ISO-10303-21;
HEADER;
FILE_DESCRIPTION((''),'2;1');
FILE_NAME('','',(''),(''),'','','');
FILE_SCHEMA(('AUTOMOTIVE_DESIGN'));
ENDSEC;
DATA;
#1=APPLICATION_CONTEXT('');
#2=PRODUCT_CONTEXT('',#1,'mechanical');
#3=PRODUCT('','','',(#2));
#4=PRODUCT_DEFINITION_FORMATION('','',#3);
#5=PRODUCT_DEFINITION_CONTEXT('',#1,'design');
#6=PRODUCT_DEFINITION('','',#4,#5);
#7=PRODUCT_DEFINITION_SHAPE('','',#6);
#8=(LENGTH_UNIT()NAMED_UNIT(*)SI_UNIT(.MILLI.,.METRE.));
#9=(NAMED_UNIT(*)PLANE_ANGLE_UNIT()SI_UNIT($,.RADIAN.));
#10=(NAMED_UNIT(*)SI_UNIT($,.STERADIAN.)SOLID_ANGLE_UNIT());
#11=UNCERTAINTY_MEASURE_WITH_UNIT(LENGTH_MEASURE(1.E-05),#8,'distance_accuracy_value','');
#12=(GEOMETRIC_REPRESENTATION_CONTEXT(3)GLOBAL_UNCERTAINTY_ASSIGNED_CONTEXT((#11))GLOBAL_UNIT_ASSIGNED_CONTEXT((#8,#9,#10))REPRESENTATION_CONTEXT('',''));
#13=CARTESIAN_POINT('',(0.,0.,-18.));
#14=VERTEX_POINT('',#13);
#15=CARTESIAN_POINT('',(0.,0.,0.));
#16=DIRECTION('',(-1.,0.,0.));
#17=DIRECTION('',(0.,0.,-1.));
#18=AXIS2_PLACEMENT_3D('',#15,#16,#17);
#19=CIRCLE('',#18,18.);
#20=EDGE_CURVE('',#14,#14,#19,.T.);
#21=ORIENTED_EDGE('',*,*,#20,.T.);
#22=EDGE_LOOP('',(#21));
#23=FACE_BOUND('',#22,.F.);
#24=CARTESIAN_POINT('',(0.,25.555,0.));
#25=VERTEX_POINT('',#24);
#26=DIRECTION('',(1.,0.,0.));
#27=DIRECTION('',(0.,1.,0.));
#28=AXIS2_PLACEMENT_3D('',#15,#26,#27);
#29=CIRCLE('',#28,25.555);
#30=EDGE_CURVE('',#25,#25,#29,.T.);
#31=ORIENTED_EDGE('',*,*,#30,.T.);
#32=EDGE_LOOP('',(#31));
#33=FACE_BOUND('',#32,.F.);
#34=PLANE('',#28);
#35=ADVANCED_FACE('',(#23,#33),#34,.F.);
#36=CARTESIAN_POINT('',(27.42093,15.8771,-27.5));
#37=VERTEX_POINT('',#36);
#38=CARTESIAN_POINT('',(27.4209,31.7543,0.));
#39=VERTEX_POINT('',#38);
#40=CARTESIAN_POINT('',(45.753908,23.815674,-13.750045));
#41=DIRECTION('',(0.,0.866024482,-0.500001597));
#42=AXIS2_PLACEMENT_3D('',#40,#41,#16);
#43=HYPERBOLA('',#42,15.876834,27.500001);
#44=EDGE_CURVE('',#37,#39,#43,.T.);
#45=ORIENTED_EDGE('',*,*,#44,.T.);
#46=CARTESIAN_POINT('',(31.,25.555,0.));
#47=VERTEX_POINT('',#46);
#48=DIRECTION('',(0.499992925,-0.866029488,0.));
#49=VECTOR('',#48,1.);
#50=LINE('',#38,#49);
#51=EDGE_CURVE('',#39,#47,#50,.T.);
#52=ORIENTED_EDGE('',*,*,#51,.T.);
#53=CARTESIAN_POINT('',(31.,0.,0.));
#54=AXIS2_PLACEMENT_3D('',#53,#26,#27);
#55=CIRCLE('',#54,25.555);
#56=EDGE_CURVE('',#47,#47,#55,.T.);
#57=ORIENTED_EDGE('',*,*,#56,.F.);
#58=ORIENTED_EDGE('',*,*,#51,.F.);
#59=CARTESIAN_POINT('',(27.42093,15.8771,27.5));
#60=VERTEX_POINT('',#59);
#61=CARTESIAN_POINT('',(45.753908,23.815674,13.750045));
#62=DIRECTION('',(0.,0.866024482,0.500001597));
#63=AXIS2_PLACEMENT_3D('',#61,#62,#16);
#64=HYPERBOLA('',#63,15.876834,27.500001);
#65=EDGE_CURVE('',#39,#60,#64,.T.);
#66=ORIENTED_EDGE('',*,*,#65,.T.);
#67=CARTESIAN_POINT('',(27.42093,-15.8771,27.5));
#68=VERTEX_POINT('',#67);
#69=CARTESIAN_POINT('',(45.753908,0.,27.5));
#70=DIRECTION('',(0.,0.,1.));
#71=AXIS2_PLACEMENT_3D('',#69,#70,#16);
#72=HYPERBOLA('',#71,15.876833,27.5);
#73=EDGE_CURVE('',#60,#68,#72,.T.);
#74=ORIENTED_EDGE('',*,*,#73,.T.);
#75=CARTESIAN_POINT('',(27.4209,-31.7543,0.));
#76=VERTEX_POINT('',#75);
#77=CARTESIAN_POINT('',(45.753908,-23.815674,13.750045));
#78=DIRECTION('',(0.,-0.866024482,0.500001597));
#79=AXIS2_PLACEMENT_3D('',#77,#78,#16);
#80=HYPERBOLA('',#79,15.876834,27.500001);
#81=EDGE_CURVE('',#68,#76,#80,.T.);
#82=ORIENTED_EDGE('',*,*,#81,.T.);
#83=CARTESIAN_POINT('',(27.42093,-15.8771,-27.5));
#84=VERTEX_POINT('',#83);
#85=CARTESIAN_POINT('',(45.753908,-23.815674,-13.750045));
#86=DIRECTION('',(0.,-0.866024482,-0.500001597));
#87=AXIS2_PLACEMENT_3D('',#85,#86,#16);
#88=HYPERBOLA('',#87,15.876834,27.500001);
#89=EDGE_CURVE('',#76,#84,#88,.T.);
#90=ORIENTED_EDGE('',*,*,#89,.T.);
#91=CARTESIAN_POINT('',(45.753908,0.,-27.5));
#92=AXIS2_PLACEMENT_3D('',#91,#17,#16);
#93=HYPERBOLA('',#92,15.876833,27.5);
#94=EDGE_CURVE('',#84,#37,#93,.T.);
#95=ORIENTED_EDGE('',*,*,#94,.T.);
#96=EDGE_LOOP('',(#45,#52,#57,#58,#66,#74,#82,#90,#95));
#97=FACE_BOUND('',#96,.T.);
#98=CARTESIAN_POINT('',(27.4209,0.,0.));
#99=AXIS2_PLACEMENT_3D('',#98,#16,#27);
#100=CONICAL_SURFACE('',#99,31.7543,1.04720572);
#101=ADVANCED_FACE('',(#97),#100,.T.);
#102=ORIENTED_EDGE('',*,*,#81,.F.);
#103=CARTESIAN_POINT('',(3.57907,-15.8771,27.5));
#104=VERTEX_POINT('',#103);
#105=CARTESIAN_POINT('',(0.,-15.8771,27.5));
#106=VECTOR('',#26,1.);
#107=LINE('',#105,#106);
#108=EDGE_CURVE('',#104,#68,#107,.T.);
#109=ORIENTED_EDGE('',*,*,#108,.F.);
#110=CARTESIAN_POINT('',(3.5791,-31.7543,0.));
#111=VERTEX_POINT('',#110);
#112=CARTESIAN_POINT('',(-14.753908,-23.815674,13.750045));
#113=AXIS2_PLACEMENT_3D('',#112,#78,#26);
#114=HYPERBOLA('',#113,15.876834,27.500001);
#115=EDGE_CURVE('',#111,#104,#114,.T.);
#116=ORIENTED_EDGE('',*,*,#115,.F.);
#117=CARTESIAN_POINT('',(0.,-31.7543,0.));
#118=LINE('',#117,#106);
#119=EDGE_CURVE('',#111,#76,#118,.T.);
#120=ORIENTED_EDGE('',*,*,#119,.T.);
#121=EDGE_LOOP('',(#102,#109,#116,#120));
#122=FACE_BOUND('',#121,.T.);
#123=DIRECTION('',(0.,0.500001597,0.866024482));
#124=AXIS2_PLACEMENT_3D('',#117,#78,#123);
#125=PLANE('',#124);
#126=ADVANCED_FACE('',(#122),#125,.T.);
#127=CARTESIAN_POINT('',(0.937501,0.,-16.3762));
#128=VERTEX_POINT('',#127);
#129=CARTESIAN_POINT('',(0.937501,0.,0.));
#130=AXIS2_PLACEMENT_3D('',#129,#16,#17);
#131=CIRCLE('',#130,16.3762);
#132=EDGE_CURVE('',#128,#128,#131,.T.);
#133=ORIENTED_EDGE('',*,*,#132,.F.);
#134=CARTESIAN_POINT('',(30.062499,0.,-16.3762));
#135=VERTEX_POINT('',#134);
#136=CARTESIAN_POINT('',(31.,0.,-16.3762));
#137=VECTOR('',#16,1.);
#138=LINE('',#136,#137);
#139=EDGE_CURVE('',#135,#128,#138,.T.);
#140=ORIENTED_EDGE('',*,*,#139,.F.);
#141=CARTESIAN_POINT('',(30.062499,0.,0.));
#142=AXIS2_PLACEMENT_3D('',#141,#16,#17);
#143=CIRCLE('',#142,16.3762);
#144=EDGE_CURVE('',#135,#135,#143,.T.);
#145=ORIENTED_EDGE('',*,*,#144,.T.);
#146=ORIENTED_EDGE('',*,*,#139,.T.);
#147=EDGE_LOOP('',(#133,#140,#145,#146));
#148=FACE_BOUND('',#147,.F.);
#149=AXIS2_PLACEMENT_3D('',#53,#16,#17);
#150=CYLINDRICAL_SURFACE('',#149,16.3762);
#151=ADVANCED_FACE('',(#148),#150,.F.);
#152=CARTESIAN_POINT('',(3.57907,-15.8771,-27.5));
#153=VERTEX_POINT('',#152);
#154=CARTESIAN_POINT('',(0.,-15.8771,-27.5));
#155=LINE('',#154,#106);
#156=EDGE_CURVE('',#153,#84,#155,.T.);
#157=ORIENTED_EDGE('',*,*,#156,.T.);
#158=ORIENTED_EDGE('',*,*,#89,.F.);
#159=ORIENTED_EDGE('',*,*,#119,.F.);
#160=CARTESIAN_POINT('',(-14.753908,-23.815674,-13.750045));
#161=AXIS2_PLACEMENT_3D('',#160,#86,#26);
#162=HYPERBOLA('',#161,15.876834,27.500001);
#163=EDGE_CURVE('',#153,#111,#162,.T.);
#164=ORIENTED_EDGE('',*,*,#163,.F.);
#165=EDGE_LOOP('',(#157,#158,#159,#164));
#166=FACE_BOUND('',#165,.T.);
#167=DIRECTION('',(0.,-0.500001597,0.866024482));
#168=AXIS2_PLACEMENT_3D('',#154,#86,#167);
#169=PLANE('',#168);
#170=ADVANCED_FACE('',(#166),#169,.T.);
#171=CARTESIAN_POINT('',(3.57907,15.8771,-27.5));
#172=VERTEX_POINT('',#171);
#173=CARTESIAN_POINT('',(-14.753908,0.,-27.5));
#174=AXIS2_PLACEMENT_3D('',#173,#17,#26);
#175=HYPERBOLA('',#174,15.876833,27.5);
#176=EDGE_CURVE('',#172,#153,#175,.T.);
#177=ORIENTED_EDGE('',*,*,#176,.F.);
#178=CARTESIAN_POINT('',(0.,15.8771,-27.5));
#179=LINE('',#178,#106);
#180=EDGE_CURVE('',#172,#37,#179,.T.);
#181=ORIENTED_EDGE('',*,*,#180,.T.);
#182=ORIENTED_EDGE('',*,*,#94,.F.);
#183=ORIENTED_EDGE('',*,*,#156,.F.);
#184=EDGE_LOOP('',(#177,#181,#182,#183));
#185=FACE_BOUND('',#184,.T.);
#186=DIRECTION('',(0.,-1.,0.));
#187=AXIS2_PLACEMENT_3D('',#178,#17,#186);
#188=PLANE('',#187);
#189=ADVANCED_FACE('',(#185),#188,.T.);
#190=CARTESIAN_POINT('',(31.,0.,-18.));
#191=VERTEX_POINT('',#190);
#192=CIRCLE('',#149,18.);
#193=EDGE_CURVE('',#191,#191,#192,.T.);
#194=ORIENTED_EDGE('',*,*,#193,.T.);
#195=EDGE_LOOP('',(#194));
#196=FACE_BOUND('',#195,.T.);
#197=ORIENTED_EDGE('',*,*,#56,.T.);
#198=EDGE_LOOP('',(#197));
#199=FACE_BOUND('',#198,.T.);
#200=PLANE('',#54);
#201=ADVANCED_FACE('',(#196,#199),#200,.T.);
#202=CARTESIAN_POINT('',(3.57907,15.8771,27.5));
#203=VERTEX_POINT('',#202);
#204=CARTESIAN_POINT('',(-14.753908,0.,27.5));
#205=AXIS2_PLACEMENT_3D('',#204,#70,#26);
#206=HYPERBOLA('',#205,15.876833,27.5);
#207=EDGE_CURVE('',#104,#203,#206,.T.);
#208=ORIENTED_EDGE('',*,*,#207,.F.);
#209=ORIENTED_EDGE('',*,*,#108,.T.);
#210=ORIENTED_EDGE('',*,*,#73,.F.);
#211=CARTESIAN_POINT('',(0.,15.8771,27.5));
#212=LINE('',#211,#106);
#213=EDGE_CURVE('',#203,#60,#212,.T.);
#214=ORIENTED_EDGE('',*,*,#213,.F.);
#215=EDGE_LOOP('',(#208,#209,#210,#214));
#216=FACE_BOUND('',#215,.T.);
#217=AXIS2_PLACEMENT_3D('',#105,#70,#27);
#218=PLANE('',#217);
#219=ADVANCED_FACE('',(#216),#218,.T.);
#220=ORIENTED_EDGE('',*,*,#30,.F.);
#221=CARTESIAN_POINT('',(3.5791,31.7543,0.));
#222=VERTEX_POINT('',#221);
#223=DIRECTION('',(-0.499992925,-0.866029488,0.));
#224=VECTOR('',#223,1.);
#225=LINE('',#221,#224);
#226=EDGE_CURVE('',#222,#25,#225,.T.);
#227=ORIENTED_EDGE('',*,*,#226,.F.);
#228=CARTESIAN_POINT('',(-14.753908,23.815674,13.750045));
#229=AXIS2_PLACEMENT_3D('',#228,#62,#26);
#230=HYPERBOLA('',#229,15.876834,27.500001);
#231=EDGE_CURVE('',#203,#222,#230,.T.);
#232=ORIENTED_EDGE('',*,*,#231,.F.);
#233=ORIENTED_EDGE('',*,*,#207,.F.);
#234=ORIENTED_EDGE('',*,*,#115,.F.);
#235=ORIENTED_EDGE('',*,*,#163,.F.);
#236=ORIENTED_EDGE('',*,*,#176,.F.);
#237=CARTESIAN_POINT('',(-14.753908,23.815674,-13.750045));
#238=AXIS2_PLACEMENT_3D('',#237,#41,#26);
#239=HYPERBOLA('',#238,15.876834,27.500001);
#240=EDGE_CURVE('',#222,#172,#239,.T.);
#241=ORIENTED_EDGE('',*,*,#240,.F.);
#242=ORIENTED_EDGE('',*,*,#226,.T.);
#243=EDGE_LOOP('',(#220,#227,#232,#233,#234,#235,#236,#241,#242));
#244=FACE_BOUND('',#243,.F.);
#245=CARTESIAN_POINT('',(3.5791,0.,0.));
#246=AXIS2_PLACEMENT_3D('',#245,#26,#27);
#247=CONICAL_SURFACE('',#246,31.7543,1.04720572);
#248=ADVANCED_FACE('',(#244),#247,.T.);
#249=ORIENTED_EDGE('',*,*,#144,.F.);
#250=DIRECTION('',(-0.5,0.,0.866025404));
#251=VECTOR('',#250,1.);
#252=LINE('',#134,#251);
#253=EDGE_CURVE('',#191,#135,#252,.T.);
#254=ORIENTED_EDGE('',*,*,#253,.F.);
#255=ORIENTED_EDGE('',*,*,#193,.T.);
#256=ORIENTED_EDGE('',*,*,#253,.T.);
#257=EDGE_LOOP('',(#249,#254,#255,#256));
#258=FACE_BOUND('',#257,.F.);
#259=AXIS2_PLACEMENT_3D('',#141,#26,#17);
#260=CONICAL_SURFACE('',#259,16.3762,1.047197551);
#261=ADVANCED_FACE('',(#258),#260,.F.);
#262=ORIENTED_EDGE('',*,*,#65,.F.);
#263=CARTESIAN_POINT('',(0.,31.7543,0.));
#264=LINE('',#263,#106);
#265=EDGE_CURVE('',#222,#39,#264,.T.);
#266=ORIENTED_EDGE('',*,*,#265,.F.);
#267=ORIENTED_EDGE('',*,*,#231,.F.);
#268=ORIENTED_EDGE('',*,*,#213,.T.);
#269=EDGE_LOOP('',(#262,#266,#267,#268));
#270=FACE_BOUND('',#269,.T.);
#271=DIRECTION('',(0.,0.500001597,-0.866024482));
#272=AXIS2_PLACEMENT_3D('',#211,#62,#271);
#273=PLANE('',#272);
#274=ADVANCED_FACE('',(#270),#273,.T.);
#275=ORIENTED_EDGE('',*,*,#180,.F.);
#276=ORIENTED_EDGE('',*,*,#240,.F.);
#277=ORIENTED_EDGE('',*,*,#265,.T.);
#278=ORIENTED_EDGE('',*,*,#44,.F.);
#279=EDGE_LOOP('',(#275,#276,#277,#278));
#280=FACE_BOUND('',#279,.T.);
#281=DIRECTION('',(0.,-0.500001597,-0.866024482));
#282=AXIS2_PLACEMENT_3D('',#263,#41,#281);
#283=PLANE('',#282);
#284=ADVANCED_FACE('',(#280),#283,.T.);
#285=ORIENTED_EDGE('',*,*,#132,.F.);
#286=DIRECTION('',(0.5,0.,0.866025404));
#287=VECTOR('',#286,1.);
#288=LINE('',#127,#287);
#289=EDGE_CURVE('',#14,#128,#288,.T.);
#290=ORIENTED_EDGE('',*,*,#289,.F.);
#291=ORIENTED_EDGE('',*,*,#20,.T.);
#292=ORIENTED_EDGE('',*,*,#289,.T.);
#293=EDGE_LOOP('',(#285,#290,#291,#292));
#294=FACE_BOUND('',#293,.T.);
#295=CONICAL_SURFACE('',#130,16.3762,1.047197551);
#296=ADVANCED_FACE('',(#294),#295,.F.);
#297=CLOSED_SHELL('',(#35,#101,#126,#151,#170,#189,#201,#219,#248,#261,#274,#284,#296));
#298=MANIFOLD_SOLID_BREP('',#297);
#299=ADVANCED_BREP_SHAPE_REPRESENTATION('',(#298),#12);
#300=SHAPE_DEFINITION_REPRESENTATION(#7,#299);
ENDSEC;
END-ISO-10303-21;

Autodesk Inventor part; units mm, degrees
ref_plane "YZ Plane" through (0, 0, 0) normal (1, 0, 0) x (0, 1, 0)
ref_plane "XZ Plane" through (0, 0, 0) normal (0, 1, 0) x (-1, 0, 0)
sketch "Sketch1" plane through (0, 0, 0) normal (1, 0, 0) x (0, 1, 0)
  line L0 (-31.7543, 0) -> (-15.8771, 27.5)
  line L1 (-15.8771, 27.5) -> (15.8771, 27.5)
  line L2 (15.8771, 27.5) -> (31.7543, 0)
  line L3 (31.7543, 0) -> (15.8771, -27.5)
  line L4 (15.8771, -27.5) -> (-15.8771, -27.5)
  line L5 (-15.8771, -27.5) -> (-31.7543, 0)
  point P0 (0, 0)
  point P1 (0, 0)
  dimension "d0" = 63.5085
extrude "Body" add sketch "Sketch1" along normal blind 31
sketch "Sketch2" plane through (0, 0, 0) normal (0, 0, 1) x (1, 0, 0)
  line L0 (0, 15.8771) -> (0, 31.7543) projected
  line L1 (0, 31.7543) -> (31, 31.7543) projected
  line L2 (31, 15.8771) -> (31, 31.7543) projected
  line L3 (-6.2, 0) -> (37.2, 0) projected
  line L4 (3.5791, 31.7543) -> (0, 25.555)
  line L5 (27.4209, 31.7543) -> (31, 25.555)
  dimension "d3" = 30
  dimension "d4" = 30
  dimension "d5" = 51.11
  dimension "d6" = 51.11
revolve "Chamfer1" cut sketch "Sketch2" angle 360 about axis through (-10, 0, 0) along (1, 0, 0)
sketch "Sketch3" plane through (31, 0, 0) normal (1, 0, 0) x (0, 0, -1)
  arc A0 (-0.625, -1.0825) -> (0.625, -1.0825) centre (0, 0) ccw projected
hole "Thread" at (31, 0, 0) direction (-1, 0, 0) diameter 32.7524 end through all thread size "M36x3" class "6H" standard "ISO Metric profile"
chamfer "Chamfer2" distance 1.6238 angle 30 1 edges at (31, 0, 16.3762) measured on face at (31, 22.2081, -2.6965)
chamfer "Chamfer3" distance 1.6238 angle 30 1 edges at (0, 0, 16.3762) measured on face at (0, 22.2081, -2.6965)
ref_plane "Work Plane1" through (-59.2656, 0, 0) normal (0, -0.866, -0.5) x (1, 0, 0)
equation "\"d0\" = 1.1547 * SW"
equation "\"d1\" = KOH"
equation "\"d8\" = -0.5 * GD1 + 0.5 * NND"
equation "\"d40\" = -0.5 * GD1 + 0.5 * NND"
equation "\"d10\" = -0.5 * GD1 + 0.5 * NND"
equation "\"d41\" = -0.5 * GD1 + 0.5 * NND"
equation "\"d3\" = ANG1"
equation "\"d4\" = ANG2"
equation "\"d5\" = SW0"
equation "\"d6\" = SW01"
equation "\"ANG1\" = 30deg"
equation "\"ANG2\" = 30deg"
equation "\"NND\" = 36"
equation "\"KOH\" = 31"
equation "\"SW\" = 55"
equation "\"SW0\" = 51.11"
equation "\"SW01\" = SW0"
equation "\"GUL\" = 0.541266 * PTC"
equation "\"THREADDIA\" = 36"
equation "\"TOA\" = 30deg"
equation "\"PTC\" = 3"
equation "\"E0\" = 1.155 * SW"
equation "\"GAL\" = 0.541266 * PTC"
equation "\"GD1\" = 32.752405"
properties part number "ISO 8673  - M36 x 3" material "Stainless Steel, 440C"
